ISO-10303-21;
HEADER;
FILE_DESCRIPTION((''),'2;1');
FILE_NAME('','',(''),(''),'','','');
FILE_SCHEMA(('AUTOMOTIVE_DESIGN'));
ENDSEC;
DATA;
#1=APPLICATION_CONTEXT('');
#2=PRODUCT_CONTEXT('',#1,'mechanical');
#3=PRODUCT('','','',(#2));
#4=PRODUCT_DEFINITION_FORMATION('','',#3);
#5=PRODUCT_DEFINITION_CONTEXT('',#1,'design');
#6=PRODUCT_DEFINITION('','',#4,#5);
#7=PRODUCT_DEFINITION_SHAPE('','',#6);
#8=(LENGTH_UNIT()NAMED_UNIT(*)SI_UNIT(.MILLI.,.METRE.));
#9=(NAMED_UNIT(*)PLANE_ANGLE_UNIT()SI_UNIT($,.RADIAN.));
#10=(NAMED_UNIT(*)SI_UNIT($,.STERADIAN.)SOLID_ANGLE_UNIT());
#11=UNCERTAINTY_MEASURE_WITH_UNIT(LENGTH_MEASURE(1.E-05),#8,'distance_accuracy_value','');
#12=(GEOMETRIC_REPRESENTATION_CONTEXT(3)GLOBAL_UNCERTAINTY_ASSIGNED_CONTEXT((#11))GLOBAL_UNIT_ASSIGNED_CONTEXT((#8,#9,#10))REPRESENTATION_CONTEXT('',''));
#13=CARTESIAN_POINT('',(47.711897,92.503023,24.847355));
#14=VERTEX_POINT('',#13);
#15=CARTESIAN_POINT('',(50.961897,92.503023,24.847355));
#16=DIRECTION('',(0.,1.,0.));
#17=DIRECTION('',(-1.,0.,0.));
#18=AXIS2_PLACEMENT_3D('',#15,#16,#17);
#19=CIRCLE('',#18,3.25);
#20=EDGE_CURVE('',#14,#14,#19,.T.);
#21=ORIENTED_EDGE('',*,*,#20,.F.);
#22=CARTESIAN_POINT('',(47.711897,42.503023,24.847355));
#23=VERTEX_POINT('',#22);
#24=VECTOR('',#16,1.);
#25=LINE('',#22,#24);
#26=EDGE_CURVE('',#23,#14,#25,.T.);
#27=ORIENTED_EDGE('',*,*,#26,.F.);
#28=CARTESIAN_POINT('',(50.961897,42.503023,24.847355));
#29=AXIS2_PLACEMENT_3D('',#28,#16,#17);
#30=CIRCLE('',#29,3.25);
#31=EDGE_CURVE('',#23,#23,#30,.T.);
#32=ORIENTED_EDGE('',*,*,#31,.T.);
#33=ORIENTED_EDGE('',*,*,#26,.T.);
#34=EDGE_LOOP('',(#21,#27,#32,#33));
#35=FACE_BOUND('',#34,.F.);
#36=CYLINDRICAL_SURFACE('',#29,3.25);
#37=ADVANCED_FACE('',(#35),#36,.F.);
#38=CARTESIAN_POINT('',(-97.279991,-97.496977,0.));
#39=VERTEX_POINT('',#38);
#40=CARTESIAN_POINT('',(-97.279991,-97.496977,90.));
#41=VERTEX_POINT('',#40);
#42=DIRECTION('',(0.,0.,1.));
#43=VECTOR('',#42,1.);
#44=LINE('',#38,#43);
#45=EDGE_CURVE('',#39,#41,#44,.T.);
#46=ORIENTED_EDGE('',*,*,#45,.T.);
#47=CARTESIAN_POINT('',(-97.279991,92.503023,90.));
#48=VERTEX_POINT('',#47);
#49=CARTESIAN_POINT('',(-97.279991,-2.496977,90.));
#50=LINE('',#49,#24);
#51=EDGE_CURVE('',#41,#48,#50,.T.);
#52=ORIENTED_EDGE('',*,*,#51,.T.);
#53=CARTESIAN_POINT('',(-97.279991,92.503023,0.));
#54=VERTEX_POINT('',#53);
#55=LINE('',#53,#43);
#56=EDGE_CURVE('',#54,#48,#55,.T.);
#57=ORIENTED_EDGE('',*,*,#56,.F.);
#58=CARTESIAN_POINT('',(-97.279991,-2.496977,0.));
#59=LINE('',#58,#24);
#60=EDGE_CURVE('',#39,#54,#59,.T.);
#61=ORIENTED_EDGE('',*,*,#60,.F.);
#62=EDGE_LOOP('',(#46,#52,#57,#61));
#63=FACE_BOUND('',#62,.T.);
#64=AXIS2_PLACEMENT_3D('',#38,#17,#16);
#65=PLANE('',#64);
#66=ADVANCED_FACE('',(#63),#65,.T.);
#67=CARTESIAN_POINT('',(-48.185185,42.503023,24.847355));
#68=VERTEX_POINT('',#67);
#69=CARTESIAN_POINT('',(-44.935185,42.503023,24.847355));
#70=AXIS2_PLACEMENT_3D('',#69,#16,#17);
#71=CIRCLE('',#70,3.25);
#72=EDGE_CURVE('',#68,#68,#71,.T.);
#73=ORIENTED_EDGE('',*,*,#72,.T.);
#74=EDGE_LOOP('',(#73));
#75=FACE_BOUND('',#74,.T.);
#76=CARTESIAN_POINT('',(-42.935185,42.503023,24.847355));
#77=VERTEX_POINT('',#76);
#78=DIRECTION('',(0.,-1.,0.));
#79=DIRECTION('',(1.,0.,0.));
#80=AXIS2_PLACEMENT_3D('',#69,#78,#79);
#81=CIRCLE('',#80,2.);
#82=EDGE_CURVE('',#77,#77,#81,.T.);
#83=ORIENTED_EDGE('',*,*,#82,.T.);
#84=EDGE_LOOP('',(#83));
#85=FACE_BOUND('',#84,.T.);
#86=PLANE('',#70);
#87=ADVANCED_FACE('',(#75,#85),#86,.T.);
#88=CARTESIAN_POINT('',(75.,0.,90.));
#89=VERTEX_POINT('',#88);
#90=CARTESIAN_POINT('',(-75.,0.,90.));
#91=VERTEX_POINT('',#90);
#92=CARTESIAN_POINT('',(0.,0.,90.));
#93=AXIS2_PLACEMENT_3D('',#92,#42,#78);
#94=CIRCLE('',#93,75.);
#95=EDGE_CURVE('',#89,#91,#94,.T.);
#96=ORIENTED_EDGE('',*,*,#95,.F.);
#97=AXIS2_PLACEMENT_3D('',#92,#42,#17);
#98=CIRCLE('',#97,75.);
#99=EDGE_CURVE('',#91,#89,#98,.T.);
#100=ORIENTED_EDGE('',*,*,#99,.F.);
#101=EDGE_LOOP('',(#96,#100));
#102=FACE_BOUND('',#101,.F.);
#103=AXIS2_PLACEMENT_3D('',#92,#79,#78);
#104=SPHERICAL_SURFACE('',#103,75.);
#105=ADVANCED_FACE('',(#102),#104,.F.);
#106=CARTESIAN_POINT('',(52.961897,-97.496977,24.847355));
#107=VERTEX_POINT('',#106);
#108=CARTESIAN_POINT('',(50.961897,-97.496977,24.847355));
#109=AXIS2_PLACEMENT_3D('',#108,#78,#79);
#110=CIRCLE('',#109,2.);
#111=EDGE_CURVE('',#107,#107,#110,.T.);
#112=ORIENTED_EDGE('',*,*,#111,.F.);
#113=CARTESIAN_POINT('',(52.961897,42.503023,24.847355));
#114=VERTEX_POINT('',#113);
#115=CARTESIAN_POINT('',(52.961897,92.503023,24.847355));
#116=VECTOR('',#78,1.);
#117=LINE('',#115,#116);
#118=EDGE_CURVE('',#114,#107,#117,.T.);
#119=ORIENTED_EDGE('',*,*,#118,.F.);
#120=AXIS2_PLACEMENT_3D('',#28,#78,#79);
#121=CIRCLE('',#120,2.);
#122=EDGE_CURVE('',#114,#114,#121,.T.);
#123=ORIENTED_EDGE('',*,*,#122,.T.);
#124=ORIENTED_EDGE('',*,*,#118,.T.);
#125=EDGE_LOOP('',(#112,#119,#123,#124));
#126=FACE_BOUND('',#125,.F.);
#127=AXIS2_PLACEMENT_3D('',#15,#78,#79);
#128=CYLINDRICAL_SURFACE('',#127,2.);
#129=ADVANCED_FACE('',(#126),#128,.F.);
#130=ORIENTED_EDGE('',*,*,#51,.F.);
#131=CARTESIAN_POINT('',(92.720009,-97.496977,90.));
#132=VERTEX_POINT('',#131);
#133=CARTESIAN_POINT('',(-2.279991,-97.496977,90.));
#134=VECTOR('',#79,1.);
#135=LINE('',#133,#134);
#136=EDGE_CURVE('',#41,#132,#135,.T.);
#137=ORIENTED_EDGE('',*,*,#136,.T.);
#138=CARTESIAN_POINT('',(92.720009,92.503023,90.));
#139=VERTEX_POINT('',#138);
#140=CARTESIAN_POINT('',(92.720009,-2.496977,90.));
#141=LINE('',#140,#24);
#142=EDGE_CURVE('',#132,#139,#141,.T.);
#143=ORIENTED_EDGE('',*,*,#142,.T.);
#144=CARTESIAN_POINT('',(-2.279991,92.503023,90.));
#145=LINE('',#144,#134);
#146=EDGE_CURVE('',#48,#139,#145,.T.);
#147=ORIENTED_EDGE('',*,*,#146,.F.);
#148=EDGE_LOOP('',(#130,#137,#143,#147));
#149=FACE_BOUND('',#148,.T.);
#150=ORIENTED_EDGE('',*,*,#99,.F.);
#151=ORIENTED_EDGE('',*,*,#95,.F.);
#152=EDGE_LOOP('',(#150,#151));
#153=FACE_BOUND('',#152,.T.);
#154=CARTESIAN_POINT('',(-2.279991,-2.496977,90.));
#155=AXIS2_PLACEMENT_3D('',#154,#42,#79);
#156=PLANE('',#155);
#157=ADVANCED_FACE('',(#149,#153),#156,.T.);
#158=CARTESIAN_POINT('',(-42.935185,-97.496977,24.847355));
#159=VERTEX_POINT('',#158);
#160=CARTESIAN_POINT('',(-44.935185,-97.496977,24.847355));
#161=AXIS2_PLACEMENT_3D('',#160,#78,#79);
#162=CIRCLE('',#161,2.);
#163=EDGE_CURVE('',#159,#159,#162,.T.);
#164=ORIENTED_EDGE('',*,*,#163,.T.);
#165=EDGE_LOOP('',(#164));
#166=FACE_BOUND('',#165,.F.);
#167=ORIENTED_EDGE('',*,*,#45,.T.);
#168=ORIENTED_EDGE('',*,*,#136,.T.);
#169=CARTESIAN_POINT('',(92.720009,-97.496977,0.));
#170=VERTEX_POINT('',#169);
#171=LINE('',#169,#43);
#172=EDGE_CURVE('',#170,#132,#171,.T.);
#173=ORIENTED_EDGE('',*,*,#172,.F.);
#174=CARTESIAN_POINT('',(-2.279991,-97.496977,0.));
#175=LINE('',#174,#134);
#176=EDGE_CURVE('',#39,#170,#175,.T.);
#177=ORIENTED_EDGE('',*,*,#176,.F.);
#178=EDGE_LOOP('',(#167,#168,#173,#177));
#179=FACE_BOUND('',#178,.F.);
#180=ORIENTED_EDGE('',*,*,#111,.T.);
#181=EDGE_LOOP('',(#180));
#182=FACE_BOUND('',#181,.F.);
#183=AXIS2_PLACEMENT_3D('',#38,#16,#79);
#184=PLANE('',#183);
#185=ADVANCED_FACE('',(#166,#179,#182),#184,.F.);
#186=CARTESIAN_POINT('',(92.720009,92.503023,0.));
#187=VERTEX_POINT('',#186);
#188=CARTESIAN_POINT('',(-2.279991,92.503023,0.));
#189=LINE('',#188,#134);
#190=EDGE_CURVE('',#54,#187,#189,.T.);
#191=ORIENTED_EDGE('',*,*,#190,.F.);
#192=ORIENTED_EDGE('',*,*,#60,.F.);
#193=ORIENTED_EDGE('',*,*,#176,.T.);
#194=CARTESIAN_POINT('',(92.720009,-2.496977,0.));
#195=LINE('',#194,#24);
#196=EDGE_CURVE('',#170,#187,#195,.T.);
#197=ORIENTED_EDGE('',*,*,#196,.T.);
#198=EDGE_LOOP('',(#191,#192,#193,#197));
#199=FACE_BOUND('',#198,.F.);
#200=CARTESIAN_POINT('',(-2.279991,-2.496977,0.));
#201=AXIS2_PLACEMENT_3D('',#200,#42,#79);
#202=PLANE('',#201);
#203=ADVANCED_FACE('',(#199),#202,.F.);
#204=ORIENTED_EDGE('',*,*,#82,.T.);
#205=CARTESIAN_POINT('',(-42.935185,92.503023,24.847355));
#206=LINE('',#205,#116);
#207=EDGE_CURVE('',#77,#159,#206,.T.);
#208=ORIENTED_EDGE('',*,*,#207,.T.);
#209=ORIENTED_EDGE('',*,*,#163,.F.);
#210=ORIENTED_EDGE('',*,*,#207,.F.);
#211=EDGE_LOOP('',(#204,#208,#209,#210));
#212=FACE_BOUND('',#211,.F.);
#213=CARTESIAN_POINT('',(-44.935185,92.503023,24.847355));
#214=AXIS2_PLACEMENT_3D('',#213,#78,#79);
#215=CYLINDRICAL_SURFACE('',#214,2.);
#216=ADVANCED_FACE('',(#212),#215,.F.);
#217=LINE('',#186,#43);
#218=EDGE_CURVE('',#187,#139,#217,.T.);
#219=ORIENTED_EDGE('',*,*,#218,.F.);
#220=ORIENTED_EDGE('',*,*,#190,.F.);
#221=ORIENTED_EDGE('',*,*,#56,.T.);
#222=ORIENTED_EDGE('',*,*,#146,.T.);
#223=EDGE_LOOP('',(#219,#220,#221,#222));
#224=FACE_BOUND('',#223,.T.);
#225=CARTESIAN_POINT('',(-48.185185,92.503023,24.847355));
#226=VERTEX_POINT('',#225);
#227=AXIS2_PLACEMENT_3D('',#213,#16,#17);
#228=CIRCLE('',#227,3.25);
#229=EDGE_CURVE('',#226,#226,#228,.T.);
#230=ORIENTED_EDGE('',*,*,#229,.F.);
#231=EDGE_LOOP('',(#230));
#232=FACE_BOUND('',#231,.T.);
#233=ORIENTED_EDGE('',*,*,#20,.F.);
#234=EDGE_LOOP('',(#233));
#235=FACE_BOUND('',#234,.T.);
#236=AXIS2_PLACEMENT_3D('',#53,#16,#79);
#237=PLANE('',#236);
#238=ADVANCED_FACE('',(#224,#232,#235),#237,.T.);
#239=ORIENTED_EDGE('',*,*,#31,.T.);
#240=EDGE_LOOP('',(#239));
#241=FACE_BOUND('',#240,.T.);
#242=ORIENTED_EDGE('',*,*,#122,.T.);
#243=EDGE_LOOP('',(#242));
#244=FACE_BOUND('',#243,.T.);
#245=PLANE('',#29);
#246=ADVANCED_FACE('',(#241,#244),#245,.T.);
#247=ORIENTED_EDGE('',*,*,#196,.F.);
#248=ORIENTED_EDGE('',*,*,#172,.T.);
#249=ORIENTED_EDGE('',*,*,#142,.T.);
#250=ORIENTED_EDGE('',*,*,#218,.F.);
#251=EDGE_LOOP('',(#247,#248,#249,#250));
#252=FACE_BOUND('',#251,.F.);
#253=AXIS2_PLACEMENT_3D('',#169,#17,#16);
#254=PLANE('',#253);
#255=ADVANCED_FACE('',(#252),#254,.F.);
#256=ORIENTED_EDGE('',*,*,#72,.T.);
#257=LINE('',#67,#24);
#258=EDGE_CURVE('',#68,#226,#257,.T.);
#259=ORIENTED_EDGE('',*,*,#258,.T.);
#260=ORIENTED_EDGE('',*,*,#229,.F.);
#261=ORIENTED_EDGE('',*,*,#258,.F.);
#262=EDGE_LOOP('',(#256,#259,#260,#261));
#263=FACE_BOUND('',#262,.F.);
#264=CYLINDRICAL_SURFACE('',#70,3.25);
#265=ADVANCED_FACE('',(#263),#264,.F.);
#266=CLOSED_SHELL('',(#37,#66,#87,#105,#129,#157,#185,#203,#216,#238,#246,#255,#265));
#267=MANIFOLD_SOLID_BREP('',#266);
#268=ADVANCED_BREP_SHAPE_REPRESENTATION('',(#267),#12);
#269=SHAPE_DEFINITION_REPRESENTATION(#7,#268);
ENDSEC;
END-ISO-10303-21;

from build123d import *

# Parameters (mm, degrees)
F0_W           = 190
F0_H           = 190
F1_DEPTH       = 90
F5_D           = 4
F5_CBORE_D     = 6.5
F5_CBORE_DEPTH = 50


with BuildPart() as f1:
    # F0 (on Top) → F1 (new body)
    with BuildSketch(Plane.XY):
        with Locations((-2.279991, -2.496977)):
            Rectangle(F0_W, F0_H)
    extrude(amount=F1_DEPTH)

    # F2 (on face) → F3 (revolve, cut)
    with BuildSketch(Plane.XY.offset(90)):
        with BuildLine():
            Line((75, 0), (-75, 0))
            ThreePointArc((-75, 0), (0, -75), (75, 0))
        make_face()
    revolve(axis=Axis((0, 0, 90), (1, 0, 0)), mode=Mode.SUBTRACT)

    # F5 (through all)
    with Locations(Plane(origin=(0, 92.503023, 0), x_dir=(-1, 0, 0), z_dir=(0, 1, 0))):
        with Locations((44.935185, 24.847355), (-50.961897, 24.847355)):
            CounterBoreHole(F5_D / 2, F5_CBORE_D / 2, F5_CBORE_DEPTH)


solid = f1.part
